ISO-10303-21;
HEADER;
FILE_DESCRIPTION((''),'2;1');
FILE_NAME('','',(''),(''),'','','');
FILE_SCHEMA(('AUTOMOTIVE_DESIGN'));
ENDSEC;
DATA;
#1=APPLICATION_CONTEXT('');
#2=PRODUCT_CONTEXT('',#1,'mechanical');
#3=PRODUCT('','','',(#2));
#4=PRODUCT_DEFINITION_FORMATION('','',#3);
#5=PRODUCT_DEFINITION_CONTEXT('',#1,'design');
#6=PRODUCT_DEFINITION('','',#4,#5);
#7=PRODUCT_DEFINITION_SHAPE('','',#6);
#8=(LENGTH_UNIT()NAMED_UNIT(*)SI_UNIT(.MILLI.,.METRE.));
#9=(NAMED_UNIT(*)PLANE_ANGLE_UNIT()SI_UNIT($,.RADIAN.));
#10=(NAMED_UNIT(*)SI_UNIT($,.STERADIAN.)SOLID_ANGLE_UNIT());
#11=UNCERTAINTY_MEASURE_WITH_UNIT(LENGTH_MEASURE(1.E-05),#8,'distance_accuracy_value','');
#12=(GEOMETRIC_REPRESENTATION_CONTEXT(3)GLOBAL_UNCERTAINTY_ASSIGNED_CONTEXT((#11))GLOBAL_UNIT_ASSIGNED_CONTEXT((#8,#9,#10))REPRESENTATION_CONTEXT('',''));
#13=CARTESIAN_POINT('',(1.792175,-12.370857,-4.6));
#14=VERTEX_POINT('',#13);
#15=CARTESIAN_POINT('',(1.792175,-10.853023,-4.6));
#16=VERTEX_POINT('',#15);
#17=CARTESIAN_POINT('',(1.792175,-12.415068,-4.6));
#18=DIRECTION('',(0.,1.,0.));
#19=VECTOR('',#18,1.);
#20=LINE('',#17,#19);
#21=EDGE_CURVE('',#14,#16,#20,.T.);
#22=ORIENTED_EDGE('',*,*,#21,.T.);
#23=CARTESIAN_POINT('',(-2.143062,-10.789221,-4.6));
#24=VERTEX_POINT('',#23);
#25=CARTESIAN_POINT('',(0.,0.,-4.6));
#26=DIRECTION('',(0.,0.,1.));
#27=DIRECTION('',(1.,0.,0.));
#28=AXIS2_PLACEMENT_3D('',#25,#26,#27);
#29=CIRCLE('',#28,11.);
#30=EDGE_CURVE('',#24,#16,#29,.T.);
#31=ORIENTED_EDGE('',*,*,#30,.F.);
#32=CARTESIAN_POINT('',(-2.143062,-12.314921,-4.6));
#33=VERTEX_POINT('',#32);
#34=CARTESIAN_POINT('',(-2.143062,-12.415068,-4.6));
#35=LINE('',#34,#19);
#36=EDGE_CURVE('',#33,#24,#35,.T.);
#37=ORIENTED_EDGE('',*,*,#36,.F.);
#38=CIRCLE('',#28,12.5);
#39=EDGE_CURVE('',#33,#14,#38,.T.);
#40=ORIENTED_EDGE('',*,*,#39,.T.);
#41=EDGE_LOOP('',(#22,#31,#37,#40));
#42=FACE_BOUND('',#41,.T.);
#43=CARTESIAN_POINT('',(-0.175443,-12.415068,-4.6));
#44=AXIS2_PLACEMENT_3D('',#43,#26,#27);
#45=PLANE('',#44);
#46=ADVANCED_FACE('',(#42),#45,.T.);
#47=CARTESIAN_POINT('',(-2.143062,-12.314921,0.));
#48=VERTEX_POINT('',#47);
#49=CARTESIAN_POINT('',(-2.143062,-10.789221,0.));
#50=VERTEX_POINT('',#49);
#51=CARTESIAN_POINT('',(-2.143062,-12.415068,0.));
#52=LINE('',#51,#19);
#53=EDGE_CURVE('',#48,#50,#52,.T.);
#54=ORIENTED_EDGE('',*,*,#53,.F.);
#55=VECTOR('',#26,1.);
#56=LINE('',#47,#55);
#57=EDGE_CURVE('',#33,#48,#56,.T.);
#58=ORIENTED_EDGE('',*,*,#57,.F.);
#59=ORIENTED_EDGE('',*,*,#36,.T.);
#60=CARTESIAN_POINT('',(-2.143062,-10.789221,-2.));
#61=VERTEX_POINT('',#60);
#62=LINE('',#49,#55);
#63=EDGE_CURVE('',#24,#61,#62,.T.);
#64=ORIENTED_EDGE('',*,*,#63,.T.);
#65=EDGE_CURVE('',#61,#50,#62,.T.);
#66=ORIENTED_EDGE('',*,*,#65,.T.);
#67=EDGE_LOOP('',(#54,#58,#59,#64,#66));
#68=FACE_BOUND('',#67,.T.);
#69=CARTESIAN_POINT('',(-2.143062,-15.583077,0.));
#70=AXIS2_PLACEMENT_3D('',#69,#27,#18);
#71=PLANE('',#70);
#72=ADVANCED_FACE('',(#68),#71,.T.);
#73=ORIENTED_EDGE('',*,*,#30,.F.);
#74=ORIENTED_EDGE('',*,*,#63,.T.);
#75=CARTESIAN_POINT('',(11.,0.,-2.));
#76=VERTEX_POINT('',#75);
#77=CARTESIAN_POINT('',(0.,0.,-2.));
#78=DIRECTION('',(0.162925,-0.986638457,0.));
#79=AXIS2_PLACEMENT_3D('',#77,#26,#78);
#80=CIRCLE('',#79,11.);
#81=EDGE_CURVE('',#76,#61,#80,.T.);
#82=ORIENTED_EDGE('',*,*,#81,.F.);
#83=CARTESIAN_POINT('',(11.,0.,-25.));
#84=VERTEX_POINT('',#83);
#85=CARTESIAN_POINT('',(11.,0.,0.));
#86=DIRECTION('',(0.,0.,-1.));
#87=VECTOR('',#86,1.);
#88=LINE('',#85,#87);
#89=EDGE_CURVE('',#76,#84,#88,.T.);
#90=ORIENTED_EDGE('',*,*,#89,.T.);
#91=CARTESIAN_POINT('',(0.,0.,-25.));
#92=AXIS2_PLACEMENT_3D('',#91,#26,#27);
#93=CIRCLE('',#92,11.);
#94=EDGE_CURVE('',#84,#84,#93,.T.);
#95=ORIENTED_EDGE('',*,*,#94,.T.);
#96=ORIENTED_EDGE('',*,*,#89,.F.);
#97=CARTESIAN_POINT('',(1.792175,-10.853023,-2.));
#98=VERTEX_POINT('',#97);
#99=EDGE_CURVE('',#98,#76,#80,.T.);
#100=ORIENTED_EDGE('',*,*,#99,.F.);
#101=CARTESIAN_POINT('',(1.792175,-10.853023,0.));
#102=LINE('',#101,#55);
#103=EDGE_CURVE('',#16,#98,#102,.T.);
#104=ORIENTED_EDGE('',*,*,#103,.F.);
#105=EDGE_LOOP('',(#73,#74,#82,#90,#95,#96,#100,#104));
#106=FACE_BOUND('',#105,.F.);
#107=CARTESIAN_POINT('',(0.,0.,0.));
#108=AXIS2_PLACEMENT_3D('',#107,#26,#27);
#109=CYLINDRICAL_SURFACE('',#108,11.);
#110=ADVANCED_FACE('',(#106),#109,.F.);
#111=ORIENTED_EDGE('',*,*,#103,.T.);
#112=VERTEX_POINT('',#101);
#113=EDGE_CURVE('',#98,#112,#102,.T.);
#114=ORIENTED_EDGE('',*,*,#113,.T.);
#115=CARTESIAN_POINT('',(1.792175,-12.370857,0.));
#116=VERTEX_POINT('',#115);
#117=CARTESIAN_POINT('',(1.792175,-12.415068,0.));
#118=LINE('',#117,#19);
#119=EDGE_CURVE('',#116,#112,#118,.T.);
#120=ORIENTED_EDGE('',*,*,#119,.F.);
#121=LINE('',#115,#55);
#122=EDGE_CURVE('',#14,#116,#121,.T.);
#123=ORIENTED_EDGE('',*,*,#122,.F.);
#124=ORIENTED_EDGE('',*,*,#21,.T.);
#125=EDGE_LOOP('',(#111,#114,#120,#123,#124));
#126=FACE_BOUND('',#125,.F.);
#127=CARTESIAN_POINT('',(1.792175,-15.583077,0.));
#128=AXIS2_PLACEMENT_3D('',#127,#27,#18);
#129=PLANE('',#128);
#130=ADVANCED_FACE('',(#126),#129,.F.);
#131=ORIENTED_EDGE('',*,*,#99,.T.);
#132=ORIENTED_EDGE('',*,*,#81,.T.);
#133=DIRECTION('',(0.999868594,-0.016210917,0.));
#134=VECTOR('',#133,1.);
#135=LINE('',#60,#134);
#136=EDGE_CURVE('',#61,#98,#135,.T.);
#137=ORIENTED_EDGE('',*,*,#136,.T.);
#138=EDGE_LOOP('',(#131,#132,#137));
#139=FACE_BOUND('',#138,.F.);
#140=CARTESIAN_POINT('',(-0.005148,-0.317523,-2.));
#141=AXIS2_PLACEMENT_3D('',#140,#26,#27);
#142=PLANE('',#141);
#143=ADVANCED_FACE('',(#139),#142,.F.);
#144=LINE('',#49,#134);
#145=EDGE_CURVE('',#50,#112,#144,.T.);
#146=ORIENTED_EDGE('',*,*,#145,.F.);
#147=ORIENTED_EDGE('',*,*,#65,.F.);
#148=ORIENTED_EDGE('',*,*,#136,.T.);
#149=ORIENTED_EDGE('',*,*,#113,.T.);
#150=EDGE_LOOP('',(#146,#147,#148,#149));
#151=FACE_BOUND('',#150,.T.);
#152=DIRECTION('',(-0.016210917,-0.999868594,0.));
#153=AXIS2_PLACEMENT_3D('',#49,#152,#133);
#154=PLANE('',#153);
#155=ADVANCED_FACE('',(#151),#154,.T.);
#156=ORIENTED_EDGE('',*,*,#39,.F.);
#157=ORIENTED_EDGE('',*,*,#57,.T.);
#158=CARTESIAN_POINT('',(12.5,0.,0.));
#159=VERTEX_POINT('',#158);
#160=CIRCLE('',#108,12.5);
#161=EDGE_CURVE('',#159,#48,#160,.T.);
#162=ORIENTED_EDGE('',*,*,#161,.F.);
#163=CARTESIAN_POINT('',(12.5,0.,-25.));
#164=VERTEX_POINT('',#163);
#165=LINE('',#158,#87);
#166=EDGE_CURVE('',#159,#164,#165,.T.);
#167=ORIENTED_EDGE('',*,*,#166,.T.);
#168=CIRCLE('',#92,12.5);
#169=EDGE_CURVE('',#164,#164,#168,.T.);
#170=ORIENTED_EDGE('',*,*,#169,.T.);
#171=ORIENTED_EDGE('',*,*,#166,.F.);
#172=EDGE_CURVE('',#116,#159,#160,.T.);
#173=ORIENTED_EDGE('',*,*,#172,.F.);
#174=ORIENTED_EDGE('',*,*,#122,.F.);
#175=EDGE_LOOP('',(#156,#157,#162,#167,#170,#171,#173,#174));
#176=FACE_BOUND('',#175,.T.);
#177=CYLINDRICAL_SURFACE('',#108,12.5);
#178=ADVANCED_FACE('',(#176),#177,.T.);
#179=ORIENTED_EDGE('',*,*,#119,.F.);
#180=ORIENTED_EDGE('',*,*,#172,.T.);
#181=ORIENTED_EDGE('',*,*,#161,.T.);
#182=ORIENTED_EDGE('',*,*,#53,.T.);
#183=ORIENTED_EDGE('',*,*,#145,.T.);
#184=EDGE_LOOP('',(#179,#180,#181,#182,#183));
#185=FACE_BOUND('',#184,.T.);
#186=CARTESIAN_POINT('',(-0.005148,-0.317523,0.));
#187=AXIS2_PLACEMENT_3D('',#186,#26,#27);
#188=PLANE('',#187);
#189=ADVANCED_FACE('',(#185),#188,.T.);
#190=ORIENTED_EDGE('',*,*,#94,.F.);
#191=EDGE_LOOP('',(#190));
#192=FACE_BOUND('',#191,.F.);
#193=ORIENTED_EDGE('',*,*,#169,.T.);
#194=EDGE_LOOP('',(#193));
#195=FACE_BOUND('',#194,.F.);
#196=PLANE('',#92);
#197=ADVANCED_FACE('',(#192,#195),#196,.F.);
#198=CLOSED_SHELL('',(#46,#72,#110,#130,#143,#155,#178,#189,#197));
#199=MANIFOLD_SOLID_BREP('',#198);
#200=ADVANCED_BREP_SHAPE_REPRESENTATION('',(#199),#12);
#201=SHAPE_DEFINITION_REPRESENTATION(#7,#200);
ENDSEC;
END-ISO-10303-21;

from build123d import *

# Parameters (mm, degrees)
F0_R     = 12.5
F0_R_2   = 11
F1_DEPTH = 25
F3_W     = 3.9352367166
F3_H     = 6.3360165805
F4_DEPTH = 4.6
F6_DEPTH = 2


with BuildPart() as f1:
    # F0 (on Top) → F1 (new body)
    with BuildSketch(Plane.XY):
        Circle(F0_R)
        Circle(F0_R_2, mode=Mode.SUBTRACT)
    extrude(amount=-F1_DEPTH)

    # F3 (on Top) → F4 (cut)
    with BuildSketch(Plane.XY):
        with Locations((-0.1754433615, -12.4150682241)):
            Rectangle(F3_W, F3_H)
    extrude(amount=-F4_DEPTH, mode=Mode.SUBTRACT)

    # F5 (on face) → F6 (join)
    with BuildSketch(Plane.XY):
        with BuildLine():
            Line((-2.1430617198, -10.7892208461), (1.7921749968, -10.853023025))
            ThreePointArc((1.7921749968, -10.853023025), (0.1783200847, 10.998554539), (-2.1430617198, -10.7892208461))
        make_face()
    extrude(amount=-F6_DEPTH)


solid = f1.part
